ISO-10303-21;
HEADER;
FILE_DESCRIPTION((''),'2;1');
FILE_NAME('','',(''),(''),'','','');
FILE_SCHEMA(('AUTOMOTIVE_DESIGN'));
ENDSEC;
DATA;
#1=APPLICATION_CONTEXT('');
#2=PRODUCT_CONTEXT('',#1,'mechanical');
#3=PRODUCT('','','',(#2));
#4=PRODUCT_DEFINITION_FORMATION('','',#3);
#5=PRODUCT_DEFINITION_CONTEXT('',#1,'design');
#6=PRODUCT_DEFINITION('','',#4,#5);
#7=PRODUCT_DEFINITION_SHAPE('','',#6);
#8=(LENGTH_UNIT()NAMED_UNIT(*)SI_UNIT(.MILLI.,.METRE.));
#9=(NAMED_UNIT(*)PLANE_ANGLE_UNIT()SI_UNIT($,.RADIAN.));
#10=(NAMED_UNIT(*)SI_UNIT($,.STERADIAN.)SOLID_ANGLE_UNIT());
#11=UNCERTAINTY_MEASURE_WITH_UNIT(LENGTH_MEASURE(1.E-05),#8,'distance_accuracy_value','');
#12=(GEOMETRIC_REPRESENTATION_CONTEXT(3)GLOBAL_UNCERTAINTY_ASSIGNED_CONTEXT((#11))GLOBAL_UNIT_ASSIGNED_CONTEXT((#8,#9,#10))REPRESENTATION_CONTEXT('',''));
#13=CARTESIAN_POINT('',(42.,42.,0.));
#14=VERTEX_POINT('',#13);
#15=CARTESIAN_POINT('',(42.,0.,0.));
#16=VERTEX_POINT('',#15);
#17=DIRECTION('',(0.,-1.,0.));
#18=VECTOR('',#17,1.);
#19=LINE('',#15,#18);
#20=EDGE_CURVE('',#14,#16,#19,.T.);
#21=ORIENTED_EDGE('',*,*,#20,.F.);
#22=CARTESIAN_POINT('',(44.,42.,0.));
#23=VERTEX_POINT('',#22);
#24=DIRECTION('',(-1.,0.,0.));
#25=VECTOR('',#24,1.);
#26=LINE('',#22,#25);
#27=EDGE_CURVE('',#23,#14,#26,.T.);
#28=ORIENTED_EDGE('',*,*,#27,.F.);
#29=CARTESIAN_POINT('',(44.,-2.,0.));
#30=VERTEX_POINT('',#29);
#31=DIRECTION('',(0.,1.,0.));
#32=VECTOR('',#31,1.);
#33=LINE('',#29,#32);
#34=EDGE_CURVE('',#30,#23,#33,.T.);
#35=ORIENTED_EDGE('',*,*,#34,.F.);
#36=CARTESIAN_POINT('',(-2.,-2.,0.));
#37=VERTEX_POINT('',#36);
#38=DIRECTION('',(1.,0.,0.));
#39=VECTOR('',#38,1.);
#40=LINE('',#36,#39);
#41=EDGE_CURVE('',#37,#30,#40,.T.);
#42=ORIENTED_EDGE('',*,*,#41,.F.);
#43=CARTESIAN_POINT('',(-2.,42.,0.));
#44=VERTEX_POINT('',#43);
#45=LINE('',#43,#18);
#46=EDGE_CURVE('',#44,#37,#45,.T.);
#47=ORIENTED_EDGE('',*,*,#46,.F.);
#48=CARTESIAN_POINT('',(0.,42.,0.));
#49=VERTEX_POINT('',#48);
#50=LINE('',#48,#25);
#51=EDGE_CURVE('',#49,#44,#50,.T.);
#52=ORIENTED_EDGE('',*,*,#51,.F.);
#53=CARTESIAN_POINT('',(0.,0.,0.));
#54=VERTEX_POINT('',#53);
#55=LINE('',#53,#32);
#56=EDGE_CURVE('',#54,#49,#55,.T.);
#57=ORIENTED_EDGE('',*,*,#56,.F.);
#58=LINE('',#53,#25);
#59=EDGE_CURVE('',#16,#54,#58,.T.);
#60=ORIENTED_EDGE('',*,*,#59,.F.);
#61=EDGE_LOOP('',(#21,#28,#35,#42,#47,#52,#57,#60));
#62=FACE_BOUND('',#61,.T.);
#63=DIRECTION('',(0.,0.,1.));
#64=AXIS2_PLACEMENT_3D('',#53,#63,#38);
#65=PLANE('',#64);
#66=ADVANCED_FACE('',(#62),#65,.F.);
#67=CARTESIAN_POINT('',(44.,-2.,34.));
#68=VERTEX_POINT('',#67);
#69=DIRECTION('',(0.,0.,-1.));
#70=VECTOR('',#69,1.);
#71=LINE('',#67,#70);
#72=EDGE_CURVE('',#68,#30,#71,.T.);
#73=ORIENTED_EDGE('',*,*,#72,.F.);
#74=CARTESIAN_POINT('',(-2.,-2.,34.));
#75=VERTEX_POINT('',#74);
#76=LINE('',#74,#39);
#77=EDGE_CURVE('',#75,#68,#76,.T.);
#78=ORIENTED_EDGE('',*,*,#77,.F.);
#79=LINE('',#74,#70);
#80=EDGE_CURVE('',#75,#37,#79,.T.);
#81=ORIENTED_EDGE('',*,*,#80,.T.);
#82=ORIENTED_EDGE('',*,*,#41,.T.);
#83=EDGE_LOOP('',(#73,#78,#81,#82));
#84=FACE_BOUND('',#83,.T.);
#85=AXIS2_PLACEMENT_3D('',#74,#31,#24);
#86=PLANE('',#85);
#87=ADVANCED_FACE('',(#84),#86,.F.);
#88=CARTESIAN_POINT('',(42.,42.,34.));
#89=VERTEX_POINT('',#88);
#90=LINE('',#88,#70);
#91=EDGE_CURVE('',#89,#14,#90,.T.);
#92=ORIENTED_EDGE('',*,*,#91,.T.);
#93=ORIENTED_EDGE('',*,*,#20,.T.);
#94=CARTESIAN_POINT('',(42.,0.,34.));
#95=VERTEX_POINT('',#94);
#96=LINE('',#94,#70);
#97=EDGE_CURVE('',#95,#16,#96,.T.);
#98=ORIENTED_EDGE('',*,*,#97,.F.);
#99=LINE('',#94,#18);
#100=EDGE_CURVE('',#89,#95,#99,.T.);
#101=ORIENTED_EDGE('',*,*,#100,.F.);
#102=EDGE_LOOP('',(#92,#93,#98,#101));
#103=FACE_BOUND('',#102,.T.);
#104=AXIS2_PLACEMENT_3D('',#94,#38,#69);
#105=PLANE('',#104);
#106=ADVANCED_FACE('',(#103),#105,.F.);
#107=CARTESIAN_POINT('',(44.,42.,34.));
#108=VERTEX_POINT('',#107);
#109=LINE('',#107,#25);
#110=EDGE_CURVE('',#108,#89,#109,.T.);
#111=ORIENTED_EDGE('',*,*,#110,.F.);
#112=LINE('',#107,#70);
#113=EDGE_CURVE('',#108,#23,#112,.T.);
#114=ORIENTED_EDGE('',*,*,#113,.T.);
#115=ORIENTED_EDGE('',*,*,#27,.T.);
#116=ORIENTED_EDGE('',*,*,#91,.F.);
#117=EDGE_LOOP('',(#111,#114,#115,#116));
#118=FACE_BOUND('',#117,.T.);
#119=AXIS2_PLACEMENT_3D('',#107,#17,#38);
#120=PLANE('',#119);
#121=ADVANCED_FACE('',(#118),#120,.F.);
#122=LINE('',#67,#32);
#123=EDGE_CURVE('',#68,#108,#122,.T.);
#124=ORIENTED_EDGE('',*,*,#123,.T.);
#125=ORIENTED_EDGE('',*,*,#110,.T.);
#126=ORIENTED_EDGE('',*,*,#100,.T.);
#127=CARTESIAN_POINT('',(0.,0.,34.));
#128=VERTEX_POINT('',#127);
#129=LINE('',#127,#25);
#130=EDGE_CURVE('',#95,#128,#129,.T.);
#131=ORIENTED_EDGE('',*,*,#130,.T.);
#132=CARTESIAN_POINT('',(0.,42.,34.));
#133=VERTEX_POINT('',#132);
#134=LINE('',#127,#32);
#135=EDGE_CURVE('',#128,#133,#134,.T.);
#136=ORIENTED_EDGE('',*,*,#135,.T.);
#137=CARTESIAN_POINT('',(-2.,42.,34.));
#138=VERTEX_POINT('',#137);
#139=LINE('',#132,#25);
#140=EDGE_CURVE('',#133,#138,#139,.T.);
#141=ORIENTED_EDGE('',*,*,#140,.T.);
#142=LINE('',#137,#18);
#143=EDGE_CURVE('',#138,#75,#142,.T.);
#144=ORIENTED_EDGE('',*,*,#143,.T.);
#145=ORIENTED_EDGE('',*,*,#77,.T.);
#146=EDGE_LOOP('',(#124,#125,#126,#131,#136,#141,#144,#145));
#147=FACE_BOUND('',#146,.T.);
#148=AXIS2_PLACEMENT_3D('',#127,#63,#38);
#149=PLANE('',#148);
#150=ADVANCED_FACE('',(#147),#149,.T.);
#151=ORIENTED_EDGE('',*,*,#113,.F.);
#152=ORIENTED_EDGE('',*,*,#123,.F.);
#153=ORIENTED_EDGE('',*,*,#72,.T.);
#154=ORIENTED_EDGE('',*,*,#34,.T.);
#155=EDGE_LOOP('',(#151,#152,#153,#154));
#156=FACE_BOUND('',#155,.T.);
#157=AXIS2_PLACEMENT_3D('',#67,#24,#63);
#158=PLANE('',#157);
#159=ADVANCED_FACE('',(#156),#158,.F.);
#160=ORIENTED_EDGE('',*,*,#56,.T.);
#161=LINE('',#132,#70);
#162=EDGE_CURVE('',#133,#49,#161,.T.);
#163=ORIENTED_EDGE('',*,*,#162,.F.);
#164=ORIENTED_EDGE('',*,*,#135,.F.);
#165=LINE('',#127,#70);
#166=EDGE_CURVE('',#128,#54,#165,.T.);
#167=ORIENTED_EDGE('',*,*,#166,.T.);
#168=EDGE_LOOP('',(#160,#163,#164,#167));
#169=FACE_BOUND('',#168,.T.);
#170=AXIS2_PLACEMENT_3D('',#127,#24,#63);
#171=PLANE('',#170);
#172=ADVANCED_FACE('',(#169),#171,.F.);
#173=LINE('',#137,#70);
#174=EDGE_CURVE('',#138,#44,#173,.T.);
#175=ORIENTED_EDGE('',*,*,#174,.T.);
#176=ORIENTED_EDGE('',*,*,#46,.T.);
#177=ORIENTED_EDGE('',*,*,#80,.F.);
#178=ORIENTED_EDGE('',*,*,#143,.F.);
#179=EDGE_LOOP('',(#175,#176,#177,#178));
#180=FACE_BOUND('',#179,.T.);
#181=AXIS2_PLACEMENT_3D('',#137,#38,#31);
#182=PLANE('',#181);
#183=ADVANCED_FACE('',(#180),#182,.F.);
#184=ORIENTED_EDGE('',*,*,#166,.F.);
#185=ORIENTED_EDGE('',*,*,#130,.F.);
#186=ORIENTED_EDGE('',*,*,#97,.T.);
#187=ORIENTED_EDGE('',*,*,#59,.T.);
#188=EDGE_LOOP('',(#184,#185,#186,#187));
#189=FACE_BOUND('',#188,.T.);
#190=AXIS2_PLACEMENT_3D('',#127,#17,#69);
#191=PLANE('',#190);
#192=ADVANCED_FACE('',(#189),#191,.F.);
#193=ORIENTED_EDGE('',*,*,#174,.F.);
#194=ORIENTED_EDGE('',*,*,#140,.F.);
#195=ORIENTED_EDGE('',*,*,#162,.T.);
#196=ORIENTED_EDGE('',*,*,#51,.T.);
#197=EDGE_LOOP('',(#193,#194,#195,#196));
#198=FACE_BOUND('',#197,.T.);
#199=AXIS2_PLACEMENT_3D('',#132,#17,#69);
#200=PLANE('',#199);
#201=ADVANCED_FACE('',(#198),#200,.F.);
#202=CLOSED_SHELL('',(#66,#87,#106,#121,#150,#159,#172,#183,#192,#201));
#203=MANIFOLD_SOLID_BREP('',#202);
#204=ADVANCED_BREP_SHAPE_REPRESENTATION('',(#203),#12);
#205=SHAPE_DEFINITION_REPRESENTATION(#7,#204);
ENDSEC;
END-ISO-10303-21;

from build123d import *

# Parameters (mm, degrees)
EXTRUDE_1_DEPTH = 34


with BuildPart() as part:
    # 草图1 → 凸台-拉伸1 (new body)
    with BuildSketch(Plane.XY):
        Polygon((0, 42), (-2, 42), (-2, -2), (44, -2), (44, 42), (42, 42), (42, 0), (0, 0), align=None)
    extrude(amount=EXTRUDE_1_DEPTH)


solid = part.part
